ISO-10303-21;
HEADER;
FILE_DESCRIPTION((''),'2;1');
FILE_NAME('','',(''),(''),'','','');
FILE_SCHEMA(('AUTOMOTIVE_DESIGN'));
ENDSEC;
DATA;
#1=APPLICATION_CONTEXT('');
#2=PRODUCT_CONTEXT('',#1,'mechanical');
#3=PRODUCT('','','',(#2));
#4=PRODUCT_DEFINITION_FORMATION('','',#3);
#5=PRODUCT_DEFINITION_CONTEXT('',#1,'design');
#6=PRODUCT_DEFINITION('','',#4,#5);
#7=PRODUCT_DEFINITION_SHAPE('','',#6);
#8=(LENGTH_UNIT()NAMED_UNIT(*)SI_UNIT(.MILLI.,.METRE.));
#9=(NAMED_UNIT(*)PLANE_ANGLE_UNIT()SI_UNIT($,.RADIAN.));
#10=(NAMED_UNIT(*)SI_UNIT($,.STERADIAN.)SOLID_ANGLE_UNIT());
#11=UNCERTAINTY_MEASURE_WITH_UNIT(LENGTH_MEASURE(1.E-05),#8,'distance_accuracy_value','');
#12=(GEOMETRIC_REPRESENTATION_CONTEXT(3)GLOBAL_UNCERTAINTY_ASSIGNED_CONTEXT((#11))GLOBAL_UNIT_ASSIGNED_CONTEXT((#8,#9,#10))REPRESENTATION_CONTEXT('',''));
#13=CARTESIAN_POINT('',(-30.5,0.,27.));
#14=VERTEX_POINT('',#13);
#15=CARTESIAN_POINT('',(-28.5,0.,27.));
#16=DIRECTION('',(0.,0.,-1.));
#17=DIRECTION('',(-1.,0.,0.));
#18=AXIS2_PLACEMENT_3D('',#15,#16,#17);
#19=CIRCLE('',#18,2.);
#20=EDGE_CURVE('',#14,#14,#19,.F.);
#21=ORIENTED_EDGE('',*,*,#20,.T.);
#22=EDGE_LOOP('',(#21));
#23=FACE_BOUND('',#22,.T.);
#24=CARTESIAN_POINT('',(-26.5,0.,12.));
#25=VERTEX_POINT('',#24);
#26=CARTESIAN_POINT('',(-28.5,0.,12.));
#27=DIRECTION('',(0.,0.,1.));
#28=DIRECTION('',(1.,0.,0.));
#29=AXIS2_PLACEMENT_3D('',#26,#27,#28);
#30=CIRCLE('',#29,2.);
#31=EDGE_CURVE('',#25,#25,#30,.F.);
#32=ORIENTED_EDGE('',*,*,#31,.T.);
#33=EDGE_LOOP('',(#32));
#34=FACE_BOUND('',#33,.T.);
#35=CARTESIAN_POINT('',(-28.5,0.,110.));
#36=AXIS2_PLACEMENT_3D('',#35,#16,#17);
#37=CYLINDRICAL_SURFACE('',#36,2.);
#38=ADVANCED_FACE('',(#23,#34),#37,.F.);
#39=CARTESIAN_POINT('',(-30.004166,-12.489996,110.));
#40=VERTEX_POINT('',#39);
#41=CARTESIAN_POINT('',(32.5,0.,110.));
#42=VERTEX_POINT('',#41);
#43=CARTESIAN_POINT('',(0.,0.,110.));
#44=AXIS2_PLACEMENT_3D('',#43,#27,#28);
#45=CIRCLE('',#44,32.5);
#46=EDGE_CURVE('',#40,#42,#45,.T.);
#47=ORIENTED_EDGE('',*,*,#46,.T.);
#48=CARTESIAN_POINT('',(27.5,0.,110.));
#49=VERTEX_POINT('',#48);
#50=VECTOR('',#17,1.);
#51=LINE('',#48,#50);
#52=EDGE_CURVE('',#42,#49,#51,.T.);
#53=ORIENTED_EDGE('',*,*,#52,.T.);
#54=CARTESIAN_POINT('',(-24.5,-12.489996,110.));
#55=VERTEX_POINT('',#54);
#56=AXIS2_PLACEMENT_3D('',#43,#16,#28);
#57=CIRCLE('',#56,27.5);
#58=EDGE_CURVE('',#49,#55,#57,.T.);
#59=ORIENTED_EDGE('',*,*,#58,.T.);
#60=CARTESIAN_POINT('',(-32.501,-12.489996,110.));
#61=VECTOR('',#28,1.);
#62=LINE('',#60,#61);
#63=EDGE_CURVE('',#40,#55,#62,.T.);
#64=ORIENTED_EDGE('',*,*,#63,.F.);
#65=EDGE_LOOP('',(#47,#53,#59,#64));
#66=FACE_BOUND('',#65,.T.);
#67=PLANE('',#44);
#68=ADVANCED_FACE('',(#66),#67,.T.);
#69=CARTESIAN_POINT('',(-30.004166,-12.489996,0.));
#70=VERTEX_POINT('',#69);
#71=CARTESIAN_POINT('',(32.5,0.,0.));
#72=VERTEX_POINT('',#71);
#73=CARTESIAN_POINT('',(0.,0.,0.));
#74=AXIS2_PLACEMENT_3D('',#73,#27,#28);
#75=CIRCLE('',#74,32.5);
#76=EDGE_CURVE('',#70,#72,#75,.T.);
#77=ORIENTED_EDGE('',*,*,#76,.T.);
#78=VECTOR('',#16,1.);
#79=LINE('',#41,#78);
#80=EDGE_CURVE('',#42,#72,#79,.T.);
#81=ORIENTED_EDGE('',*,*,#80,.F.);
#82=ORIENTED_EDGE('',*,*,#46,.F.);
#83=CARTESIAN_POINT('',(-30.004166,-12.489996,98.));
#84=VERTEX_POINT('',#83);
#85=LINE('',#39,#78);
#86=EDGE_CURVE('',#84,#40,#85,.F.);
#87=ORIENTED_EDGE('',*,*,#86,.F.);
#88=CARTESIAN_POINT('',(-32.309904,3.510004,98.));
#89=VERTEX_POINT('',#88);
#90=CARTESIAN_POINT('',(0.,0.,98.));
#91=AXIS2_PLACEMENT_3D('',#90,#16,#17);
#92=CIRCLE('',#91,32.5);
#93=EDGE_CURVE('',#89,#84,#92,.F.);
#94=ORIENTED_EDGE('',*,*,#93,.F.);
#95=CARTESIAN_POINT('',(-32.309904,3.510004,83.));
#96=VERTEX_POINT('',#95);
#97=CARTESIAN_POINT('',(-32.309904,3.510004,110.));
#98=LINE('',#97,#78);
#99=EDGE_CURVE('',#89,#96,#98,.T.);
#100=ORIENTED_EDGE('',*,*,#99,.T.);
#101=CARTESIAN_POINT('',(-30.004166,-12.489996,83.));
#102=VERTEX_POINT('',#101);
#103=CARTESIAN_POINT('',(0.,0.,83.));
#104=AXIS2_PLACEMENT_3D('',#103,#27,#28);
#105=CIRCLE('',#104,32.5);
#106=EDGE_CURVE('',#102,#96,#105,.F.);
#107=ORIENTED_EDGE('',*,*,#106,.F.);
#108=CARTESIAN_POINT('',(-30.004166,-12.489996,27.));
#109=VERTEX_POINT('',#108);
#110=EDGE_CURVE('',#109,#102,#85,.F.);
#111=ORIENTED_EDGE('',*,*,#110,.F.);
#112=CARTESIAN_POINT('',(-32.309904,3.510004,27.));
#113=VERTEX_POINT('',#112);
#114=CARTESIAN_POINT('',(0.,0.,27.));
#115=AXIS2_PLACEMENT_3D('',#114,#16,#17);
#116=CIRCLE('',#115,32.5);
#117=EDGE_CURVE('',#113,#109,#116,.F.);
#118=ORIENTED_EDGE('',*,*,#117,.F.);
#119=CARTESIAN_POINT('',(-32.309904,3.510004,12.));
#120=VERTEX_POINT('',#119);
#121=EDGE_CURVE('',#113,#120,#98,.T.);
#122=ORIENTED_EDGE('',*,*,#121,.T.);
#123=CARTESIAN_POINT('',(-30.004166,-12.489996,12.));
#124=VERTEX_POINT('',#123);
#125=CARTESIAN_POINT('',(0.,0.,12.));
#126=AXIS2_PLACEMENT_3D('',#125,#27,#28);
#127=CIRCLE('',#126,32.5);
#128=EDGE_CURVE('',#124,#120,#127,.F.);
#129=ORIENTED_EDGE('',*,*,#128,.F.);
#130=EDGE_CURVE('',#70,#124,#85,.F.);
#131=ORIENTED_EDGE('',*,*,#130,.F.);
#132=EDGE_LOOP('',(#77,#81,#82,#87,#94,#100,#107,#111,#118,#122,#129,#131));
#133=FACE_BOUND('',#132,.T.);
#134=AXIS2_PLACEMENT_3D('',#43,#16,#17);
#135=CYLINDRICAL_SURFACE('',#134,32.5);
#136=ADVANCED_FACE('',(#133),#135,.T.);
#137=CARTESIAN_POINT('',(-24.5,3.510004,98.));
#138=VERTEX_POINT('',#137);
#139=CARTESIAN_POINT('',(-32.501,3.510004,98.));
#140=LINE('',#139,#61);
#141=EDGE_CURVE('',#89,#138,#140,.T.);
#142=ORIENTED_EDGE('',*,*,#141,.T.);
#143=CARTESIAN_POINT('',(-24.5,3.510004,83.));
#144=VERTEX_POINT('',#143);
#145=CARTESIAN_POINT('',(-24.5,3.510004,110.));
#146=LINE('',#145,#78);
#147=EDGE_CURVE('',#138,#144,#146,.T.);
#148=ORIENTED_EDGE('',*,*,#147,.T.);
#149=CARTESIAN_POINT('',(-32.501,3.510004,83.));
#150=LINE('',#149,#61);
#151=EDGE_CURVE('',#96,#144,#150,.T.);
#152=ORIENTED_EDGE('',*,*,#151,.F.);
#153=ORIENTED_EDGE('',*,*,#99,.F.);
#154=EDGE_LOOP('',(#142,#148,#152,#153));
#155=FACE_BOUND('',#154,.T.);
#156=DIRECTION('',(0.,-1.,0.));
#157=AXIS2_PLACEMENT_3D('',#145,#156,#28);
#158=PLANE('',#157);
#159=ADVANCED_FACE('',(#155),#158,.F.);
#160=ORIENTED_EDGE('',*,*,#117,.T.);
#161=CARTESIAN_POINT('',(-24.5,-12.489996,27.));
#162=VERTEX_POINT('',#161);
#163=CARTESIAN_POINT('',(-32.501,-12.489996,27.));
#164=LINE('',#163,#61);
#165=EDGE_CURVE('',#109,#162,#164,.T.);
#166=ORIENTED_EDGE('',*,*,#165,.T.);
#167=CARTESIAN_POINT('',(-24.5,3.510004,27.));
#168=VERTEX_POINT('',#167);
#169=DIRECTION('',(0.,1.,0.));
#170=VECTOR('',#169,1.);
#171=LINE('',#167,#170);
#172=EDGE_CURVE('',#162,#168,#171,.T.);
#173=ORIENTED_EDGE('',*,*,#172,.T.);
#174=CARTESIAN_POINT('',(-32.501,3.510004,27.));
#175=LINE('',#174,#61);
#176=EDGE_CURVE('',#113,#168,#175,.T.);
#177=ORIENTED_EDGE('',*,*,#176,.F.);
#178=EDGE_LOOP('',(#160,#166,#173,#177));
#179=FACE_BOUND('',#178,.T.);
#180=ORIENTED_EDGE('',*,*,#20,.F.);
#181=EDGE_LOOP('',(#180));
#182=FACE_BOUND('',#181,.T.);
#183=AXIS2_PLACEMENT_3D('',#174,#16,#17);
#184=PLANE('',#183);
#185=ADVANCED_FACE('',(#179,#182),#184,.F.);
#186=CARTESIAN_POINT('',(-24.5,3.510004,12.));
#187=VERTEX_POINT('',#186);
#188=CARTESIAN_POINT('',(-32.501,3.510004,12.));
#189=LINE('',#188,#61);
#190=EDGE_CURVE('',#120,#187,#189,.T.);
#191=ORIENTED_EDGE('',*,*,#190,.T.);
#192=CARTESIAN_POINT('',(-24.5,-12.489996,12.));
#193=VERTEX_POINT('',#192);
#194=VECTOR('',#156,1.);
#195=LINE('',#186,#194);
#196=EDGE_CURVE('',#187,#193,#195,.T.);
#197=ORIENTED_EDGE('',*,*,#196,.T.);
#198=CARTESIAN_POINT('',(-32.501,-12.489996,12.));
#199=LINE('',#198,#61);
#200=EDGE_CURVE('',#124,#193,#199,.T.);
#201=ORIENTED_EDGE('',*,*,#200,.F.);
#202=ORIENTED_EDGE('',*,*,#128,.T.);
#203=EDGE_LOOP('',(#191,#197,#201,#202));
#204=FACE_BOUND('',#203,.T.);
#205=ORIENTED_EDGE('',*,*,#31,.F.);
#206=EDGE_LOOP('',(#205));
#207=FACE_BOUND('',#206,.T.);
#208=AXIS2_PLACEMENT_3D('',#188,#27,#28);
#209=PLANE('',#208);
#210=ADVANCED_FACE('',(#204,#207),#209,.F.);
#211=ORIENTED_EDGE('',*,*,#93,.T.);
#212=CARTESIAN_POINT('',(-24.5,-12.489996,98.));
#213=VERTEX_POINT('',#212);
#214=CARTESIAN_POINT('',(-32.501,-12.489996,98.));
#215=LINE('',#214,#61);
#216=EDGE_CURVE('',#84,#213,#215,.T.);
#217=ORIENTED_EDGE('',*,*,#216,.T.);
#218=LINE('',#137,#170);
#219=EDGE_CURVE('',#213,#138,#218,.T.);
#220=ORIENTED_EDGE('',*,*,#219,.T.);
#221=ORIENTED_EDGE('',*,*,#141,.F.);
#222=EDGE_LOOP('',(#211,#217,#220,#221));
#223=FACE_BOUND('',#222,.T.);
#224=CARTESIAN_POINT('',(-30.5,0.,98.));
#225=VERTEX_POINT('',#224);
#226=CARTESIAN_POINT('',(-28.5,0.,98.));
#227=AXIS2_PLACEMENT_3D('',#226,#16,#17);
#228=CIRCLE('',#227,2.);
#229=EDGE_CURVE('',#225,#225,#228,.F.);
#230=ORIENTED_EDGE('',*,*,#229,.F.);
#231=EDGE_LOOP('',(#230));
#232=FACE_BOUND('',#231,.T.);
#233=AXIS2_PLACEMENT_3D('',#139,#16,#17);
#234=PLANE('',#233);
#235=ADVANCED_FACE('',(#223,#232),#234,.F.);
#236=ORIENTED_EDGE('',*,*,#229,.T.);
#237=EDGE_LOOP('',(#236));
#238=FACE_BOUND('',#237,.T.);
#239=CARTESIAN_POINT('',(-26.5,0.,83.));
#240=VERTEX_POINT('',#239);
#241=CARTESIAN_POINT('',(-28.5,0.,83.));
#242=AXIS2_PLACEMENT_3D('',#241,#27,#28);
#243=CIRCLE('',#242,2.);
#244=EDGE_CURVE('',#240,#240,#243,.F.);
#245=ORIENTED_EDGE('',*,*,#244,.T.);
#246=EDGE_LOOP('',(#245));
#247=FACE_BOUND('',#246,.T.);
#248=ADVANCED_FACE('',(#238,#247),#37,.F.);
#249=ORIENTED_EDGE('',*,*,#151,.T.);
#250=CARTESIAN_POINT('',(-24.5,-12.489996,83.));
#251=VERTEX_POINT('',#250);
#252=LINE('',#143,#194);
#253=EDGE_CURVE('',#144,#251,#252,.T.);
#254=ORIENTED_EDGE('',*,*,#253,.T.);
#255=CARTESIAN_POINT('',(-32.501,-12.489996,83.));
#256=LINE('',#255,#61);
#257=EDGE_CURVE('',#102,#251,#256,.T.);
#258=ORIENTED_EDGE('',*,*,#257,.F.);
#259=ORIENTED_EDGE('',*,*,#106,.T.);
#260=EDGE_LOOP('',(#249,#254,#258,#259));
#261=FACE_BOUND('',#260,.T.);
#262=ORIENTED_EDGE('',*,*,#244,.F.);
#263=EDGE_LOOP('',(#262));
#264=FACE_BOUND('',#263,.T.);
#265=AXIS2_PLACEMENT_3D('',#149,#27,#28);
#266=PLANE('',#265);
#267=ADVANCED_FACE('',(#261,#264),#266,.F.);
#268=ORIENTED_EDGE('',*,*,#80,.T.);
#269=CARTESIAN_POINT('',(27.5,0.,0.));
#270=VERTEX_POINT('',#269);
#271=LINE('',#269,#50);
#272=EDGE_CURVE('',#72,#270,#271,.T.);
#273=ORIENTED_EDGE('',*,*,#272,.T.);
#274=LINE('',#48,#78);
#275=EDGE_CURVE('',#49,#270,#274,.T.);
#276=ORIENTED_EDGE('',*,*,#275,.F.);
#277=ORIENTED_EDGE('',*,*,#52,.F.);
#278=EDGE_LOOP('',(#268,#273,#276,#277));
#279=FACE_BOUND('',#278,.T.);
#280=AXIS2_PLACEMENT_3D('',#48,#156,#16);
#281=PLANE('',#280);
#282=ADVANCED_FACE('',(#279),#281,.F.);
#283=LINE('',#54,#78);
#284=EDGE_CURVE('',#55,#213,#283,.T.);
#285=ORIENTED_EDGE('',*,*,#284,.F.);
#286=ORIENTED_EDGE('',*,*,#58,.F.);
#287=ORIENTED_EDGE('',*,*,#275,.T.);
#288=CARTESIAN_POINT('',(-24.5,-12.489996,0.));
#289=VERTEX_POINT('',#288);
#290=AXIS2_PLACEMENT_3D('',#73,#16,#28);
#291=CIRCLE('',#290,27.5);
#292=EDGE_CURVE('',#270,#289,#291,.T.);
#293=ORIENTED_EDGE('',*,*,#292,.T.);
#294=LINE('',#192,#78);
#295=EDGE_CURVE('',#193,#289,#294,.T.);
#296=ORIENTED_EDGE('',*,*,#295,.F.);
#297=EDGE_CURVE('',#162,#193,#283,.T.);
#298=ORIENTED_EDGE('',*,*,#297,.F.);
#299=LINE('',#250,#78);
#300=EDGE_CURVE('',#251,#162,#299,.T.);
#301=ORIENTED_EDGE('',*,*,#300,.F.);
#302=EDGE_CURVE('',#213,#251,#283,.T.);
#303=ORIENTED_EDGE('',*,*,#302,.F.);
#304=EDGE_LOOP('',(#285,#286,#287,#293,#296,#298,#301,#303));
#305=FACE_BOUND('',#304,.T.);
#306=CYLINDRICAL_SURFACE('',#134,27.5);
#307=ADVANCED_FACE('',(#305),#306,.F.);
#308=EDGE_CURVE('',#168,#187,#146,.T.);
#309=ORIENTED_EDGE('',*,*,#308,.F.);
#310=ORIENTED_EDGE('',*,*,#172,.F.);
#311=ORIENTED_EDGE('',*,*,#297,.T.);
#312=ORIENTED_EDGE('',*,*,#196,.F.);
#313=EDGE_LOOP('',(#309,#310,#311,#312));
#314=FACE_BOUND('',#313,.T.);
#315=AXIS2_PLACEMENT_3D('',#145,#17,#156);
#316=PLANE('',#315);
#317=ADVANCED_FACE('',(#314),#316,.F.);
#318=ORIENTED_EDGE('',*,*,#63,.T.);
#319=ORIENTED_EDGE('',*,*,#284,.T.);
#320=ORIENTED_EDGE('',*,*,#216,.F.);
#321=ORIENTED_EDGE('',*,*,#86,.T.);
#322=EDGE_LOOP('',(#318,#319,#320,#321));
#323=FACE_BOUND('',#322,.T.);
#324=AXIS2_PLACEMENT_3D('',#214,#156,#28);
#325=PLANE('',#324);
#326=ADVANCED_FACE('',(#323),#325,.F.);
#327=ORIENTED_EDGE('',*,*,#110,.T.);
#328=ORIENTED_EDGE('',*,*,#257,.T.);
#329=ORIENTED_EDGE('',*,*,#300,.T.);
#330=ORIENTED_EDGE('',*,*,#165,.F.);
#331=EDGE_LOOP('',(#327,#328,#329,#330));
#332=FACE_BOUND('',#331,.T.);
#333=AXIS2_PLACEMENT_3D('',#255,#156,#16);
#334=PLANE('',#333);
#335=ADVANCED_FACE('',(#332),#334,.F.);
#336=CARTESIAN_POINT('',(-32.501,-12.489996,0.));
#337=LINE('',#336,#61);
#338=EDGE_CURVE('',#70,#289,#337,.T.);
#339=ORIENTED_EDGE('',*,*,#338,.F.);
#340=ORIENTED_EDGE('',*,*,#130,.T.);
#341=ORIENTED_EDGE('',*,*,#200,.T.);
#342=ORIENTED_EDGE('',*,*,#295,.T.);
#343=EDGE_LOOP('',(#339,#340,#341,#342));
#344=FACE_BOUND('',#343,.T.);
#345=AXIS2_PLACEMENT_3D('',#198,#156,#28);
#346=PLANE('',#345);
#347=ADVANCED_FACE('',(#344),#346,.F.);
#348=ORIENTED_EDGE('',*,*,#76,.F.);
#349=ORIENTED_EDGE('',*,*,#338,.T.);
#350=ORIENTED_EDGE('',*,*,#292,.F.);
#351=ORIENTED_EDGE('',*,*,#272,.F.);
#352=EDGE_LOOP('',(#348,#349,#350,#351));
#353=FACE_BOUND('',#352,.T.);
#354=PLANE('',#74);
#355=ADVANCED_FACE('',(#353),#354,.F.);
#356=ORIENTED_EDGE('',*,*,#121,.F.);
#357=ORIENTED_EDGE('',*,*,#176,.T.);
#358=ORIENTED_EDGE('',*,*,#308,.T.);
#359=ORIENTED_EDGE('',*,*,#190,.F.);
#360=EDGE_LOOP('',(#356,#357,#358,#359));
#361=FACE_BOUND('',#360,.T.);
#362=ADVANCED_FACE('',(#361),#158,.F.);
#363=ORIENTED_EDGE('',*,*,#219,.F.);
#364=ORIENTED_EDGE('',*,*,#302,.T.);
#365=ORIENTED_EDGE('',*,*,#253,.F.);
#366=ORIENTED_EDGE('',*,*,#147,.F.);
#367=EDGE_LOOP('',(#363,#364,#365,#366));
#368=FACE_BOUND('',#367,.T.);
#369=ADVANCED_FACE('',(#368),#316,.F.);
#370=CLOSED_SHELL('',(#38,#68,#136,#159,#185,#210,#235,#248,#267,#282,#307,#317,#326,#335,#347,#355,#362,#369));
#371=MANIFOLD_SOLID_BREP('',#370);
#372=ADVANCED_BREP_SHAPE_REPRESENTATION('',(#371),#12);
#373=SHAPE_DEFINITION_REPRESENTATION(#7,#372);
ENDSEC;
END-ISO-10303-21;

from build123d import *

# Parameters (mm, degrees)
CROQUIS2_R       = 2
PAREDMOVIL_DEPTH = 110
VISAGRA_REACH    = 130.083
CROQUIS3_W       = 12
CROQUIS3_H       = 16
CROQUIS3_W_2     = 56


with BuildPart() as part:
    # Croquis2 → ParedMovil (new body)
    with BuildSketch(Plane.XY):
        with BuildLine():
            Line((27.5, 0), (32.5, 0))
            ThreePointArc((32.5, 0), (-1.757573948, -32.452441107), (-32.309903619, 3.510004003))
            Line((-32.309903619, 3.510004003), (-24.5, 3.510004003))
            Line((-24.5, 3.510004003), (-24.5, -12.489995997))
            ThreePointArc((-24.5, -12.489995997), (6.422616289, -26.739483914), (27.5, 0))
        make_face()
        with Locations((-28.5, 0)):
            Circle(CROQUIS2_R, mode=Mode.SUBTRACT)
    extrude(amount=PAREDMOVIL_DEPTH)

    # Croquis3 → Visagra (cut, up to next)
    with BuildSketch(Plane(origin=(-24.5, 0, 0), x_dir=(0, 0, -1), z_dir=(1, 0, 0)), mode=Mode.PRIVATE) as visagra_sk1:
        with Locations((-104, -4.489995997)):
            Rectangle(CROQUIS3_W, CROQUIS3_H)
    visagra_tool1 = extrude(visagra_sk1.sketch, amount=-VISAGRA_REACH, mode=Mode.PRIVATE) & part.part
    # Croquis3 → Visagra (cut, up to next)
    with BuildSketch(Plane(origin=(-24.5, 0, 0), x_dir=(0, 0, -1), z_dir=(1, 0, 0)), mode=Mode.PRIVATE) as visagra_sk2:
        with Locations((-6, -4.489995997)):
            Rectangle(CROQUIS3_W, CROQUIS3_H)
    visagra_tool2 = extrude(visagra_sk2.sketch, amount=-VISAGRA_REACH, mode=Mode.PRIVATE) & part.part
    # Croquis3 → Visagra (cut, up to next)
    with BuildSketch(Plane(origin=(-24.5, 0, 0), x_dir=(0, 0, -1), z_dir=(1, 0, 0)), mode=Mode.PRIVATE) as visagra_sk3:
        with Locations((-55, -4.489995997)):
            Rectangle(CROQUIS3_W_2, CROQUIS3_H)
    visagra_tool3 = extrude(visagra_sk3.sketch, amount=-VISAGRA_REACH, mode=Mode.PRIVATE) & part.part
    add(visagra_tool1.solids().sort_by_distance((-24.5, -4.489996, 104))[0], mode=Mode.SUBTRACT)
    add(visagra_tool2.solids().sort_by_distance((-24.5, -4.489996, 6))[0], mode=Mode.SUBTRACT)
    add(visagra_tool3.solids().sort_by_distance((-24.5, -4.489996, 55))[0], mode=Mode.SUBTRACT)


solid = part.part
